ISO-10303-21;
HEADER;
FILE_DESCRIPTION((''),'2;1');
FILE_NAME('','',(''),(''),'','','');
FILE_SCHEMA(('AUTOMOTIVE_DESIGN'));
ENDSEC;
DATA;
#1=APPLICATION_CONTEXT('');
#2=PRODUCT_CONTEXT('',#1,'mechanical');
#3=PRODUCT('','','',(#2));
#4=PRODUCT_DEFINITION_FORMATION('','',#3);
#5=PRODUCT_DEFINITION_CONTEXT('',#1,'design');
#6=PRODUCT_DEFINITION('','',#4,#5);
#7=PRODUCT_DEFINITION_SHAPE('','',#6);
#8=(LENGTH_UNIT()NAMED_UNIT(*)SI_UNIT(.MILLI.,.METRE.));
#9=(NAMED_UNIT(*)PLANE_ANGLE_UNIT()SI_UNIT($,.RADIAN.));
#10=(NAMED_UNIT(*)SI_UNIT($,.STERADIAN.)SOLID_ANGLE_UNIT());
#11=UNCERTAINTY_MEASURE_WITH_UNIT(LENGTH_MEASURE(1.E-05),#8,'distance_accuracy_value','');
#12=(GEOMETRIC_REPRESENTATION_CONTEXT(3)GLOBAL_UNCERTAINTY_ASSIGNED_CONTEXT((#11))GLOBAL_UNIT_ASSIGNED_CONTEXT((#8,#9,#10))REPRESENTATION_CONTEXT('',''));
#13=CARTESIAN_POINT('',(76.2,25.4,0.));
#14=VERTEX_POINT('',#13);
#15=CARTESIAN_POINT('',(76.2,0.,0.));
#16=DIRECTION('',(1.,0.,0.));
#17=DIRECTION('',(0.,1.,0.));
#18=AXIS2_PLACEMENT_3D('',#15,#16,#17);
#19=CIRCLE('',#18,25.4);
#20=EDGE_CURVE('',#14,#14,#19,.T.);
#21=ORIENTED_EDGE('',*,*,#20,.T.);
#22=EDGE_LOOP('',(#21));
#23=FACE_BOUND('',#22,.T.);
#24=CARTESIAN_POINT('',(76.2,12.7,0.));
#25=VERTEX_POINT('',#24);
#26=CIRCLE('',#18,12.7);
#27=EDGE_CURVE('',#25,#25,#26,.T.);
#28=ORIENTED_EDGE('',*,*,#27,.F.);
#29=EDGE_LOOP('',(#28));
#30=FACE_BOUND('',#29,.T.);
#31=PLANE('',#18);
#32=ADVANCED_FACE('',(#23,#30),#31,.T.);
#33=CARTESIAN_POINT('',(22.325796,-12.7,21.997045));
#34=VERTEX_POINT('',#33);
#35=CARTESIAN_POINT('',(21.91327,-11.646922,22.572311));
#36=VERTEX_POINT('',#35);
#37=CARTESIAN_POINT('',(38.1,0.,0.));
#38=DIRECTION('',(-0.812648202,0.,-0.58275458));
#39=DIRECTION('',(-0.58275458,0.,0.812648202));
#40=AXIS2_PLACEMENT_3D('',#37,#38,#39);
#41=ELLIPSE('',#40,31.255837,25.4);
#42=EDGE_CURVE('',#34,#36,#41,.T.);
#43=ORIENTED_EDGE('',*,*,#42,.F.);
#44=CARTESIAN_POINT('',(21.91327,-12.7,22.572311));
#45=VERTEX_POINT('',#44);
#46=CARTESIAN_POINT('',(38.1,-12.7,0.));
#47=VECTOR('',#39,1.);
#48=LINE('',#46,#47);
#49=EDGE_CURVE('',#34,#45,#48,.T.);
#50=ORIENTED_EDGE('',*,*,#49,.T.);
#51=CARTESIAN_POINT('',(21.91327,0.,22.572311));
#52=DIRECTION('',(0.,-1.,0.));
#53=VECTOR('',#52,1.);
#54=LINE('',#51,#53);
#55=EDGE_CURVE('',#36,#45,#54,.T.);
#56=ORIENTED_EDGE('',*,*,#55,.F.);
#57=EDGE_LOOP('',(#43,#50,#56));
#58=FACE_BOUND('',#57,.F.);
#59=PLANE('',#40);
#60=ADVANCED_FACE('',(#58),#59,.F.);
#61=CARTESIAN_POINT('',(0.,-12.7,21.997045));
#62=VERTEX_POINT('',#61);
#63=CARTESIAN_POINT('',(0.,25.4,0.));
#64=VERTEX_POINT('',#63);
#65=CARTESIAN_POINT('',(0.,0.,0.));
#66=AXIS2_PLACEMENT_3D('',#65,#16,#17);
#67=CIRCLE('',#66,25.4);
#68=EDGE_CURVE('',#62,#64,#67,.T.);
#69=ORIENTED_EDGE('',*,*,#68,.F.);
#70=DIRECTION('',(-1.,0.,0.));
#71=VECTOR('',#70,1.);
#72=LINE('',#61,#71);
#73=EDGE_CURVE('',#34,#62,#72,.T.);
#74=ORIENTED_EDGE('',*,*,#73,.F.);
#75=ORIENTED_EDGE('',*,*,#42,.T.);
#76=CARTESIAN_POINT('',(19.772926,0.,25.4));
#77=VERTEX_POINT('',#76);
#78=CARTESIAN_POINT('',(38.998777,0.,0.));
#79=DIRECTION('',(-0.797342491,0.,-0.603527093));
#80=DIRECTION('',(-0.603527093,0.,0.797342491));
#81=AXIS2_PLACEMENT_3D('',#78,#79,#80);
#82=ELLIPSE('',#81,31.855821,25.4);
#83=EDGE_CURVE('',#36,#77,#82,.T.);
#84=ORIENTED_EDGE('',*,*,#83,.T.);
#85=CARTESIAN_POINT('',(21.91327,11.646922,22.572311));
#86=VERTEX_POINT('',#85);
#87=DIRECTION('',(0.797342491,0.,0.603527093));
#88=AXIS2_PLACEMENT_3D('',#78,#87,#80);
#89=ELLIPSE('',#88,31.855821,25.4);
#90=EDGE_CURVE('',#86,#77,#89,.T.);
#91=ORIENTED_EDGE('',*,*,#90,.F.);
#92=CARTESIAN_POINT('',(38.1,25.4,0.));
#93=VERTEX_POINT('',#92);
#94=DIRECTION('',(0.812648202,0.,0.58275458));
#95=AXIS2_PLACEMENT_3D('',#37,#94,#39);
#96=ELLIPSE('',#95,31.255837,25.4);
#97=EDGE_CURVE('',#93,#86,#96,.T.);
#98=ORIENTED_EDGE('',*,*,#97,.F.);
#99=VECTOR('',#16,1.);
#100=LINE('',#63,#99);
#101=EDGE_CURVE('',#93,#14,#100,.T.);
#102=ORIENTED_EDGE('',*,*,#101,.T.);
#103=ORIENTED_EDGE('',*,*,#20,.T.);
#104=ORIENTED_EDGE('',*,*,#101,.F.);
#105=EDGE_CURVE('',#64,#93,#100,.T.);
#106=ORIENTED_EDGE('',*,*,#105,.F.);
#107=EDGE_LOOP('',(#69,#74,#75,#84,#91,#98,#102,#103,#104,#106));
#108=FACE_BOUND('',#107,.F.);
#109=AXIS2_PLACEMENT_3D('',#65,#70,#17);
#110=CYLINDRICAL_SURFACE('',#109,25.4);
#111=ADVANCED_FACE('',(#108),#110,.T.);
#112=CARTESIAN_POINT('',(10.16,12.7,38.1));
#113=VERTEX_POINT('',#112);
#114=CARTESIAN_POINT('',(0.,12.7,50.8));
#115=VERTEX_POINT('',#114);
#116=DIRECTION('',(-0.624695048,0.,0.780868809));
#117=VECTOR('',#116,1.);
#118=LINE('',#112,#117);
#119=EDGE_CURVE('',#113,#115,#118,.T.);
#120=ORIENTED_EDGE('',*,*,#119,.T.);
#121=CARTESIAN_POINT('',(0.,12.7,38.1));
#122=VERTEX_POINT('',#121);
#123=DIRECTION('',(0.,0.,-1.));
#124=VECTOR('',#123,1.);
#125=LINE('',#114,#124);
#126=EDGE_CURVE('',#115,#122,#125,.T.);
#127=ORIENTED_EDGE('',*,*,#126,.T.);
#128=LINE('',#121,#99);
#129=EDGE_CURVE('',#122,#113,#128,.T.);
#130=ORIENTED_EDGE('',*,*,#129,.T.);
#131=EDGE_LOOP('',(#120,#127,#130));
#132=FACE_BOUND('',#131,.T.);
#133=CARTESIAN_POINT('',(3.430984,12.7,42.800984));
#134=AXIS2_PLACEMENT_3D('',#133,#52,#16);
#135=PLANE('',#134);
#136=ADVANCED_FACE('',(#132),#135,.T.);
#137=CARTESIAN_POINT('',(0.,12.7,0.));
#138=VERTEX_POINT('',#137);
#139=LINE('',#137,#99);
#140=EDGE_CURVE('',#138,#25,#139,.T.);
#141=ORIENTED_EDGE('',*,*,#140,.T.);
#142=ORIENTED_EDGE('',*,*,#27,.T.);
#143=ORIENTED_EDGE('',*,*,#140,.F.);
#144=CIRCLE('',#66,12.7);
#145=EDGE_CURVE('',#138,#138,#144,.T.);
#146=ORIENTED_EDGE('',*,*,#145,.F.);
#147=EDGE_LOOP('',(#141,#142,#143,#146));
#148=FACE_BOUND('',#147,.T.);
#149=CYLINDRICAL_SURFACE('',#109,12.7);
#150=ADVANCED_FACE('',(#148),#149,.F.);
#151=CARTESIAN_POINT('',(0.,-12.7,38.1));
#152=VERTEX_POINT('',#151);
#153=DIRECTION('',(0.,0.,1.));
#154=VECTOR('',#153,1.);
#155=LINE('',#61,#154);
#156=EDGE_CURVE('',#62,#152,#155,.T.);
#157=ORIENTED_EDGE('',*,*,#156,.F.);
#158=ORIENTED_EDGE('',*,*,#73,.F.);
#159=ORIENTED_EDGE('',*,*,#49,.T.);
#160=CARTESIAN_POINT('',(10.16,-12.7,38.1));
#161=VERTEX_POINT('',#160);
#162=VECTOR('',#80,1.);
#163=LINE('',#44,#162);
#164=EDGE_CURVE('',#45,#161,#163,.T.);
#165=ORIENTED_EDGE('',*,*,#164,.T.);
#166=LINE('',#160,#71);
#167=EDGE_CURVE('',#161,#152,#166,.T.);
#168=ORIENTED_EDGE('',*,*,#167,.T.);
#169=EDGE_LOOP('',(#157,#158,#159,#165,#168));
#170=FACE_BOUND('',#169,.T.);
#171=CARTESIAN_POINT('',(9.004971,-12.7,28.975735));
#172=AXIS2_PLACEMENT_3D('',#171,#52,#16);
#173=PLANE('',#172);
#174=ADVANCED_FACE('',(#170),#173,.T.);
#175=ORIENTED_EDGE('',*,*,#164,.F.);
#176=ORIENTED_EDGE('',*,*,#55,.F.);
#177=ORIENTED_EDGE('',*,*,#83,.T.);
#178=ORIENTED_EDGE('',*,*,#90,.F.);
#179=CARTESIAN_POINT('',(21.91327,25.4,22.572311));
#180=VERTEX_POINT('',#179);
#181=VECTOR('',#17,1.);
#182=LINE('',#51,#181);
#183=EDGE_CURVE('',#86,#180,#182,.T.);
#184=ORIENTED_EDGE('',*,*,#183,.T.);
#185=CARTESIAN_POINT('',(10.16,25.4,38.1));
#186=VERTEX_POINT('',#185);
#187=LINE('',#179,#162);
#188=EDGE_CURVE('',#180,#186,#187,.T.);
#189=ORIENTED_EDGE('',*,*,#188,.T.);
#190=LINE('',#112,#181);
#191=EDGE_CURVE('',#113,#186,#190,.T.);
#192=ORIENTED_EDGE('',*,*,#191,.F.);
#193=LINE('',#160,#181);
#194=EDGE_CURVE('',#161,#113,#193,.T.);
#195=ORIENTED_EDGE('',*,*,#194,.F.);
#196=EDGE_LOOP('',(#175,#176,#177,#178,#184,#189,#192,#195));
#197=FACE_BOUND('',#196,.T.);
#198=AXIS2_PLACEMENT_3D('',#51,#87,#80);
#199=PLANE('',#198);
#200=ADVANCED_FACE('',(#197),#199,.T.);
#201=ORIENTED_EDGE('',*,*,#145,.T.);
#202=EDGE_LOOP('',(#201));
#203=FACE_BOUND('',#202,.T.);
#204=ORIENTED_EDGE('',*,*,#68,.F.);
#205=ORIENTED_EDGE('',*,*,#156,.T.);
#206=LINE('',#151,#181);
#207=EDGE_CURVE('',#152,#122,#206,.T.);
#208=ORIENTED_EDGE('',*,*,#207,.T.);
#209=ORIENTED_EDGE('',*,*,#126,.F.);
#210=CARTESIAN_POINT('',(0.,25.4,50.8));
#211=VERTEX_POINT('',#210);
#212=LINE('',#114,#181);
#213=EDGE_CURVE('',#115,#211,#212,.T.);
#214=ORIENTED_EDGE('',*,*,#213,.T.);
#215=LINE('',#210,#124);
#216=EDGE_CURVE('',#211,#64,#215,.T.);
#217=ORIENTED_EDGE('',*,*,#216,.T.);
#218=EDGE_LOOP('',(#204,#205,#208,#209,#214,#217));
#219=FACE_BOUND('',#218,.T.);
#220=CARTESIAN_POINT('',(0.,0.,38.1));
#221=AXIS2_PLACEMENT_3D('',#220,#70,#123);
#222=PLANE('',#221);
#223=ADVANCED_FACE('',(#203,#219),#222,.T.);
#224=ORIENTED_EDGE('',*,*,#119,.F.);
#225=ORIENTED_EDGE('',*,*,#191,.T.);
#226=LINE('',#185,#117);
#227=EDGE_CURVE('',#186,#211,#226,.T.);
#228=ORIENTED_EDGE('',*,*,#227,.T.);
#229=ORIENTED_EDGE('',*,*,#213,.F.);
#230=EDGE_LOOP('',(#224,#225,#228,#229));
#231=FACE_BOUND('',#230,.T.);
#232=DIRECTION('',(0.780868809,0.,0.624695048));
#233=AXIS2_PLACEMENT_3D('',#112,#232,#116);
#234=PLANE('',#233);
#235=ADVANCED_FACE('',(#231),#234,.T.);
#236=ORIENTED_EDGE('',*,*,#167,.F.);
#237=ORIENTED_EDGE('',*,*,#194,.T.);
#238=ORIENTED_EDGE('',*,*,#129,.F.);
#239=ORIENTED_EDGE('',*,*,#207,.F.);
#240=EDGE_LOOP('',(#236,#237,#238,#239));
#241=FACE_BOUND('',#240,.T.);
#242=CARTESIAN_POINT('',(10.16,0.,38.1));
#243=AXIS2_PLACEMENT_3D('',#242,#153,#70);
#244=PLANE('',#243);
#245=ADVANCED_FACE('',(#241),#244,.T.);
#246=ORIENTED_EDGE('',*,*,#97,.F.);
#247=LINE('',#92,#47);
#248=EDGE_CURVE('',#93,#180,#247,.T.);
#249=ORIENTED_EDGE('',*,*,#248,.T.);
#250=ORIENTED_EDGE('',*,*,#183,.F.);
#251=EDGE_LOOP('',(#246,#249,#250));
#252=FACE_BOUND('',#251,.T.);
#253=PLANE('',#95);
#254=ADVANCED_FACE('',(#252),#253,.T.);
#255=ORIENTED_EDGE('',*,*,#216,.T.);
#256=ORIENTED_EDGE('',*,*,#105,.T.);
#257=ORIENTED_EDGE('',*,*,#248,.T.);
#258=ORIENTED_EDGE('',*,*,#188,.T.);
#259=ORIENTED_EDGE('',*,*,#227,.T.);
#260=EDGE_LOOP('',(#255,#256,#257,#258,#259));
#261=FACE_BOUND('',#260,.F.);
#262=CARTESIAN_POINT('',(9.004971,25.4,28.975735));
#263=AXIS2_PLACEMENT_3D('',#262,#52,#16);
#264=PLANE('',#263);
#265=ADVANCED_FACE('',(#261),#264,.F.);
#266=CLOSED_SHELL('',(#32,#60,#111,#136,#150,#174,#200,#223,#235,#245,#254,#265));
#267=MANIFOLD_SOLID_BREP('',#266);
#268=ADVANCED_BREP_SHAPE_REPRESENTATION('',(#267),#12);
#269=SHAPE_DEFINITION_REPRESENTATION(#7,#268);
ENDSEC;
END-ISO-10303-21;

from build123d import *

# Parameters (mm, degrees)
F0_R          = 25.4
F0_R_2        = 12.7
F1_DEPTH      = 76.2
F3_START      = -12.7
F3_DEPTH      = 12.7
F4_DEPTH      = 12.7
F4_DEPTH_BACK = 25.4
F5_DEPTH      = 12.7
F5_DEPTH_BACK = 25.4
F6_DEPTH      = 76.201


with BuildPart() as f1:
    # F0 (on Right) → F1 (new body)
    with BuildSketch(Plane.YZ):
        Circle(F0_R)
        Circle(F0_R_2, mode=Mode.SUBTRACT)
    extrude(amount=F1_DEPTH)



with BuildPart() as f3:
    # F2 (on Front) → F3 (new body)
    with BuildSketch(Plane.XZ.offset(F3_START)):
        Polygon((0, 50.8), (0, 38.1), (10.16, 38.1), align=None)
    extrude(amount=-F3_DEPTH)


with BuildPart() as f1_1:
    add(f1.part)

    add(f3.part)  # F4 merges F3
    # F2 (on Front) → F4 (join, two sides)
    with BuildSketch(Plane.XZ) as f4_sk:
        Polygon((0, 38.1), (0, 22.5723106414), (21.9132695347, 22.5723106414), (10.16, 38.1), align=None)
    extrude(amount=F4_DEPTH)
    extrude(f4_sk.sketch, amount=-F4_DEPTH_BACK)

    # F2 (on Front) → F5 (join, two sides)
    with BuildSketch(Plane.XZ) as f5_sk:
        Polygon((0, 22.5723106414), (0, 0), (38.1, 0), (21.9132695347, 22.5723106414), align=None)
    extrude(amount=F5_DEPTH)
    extrude(f5_sk.sketch, amount=-F5_DEPTH_BACK)

    # F0 (on Right) → F6 (cut, through all)
    with BuildSketch(Plane.YZ):
        Circle(F0_R_2)
    extrude(amount=F6_DEPTH, mode=Mode.SUBTRACT)


solid = f1_1.part
